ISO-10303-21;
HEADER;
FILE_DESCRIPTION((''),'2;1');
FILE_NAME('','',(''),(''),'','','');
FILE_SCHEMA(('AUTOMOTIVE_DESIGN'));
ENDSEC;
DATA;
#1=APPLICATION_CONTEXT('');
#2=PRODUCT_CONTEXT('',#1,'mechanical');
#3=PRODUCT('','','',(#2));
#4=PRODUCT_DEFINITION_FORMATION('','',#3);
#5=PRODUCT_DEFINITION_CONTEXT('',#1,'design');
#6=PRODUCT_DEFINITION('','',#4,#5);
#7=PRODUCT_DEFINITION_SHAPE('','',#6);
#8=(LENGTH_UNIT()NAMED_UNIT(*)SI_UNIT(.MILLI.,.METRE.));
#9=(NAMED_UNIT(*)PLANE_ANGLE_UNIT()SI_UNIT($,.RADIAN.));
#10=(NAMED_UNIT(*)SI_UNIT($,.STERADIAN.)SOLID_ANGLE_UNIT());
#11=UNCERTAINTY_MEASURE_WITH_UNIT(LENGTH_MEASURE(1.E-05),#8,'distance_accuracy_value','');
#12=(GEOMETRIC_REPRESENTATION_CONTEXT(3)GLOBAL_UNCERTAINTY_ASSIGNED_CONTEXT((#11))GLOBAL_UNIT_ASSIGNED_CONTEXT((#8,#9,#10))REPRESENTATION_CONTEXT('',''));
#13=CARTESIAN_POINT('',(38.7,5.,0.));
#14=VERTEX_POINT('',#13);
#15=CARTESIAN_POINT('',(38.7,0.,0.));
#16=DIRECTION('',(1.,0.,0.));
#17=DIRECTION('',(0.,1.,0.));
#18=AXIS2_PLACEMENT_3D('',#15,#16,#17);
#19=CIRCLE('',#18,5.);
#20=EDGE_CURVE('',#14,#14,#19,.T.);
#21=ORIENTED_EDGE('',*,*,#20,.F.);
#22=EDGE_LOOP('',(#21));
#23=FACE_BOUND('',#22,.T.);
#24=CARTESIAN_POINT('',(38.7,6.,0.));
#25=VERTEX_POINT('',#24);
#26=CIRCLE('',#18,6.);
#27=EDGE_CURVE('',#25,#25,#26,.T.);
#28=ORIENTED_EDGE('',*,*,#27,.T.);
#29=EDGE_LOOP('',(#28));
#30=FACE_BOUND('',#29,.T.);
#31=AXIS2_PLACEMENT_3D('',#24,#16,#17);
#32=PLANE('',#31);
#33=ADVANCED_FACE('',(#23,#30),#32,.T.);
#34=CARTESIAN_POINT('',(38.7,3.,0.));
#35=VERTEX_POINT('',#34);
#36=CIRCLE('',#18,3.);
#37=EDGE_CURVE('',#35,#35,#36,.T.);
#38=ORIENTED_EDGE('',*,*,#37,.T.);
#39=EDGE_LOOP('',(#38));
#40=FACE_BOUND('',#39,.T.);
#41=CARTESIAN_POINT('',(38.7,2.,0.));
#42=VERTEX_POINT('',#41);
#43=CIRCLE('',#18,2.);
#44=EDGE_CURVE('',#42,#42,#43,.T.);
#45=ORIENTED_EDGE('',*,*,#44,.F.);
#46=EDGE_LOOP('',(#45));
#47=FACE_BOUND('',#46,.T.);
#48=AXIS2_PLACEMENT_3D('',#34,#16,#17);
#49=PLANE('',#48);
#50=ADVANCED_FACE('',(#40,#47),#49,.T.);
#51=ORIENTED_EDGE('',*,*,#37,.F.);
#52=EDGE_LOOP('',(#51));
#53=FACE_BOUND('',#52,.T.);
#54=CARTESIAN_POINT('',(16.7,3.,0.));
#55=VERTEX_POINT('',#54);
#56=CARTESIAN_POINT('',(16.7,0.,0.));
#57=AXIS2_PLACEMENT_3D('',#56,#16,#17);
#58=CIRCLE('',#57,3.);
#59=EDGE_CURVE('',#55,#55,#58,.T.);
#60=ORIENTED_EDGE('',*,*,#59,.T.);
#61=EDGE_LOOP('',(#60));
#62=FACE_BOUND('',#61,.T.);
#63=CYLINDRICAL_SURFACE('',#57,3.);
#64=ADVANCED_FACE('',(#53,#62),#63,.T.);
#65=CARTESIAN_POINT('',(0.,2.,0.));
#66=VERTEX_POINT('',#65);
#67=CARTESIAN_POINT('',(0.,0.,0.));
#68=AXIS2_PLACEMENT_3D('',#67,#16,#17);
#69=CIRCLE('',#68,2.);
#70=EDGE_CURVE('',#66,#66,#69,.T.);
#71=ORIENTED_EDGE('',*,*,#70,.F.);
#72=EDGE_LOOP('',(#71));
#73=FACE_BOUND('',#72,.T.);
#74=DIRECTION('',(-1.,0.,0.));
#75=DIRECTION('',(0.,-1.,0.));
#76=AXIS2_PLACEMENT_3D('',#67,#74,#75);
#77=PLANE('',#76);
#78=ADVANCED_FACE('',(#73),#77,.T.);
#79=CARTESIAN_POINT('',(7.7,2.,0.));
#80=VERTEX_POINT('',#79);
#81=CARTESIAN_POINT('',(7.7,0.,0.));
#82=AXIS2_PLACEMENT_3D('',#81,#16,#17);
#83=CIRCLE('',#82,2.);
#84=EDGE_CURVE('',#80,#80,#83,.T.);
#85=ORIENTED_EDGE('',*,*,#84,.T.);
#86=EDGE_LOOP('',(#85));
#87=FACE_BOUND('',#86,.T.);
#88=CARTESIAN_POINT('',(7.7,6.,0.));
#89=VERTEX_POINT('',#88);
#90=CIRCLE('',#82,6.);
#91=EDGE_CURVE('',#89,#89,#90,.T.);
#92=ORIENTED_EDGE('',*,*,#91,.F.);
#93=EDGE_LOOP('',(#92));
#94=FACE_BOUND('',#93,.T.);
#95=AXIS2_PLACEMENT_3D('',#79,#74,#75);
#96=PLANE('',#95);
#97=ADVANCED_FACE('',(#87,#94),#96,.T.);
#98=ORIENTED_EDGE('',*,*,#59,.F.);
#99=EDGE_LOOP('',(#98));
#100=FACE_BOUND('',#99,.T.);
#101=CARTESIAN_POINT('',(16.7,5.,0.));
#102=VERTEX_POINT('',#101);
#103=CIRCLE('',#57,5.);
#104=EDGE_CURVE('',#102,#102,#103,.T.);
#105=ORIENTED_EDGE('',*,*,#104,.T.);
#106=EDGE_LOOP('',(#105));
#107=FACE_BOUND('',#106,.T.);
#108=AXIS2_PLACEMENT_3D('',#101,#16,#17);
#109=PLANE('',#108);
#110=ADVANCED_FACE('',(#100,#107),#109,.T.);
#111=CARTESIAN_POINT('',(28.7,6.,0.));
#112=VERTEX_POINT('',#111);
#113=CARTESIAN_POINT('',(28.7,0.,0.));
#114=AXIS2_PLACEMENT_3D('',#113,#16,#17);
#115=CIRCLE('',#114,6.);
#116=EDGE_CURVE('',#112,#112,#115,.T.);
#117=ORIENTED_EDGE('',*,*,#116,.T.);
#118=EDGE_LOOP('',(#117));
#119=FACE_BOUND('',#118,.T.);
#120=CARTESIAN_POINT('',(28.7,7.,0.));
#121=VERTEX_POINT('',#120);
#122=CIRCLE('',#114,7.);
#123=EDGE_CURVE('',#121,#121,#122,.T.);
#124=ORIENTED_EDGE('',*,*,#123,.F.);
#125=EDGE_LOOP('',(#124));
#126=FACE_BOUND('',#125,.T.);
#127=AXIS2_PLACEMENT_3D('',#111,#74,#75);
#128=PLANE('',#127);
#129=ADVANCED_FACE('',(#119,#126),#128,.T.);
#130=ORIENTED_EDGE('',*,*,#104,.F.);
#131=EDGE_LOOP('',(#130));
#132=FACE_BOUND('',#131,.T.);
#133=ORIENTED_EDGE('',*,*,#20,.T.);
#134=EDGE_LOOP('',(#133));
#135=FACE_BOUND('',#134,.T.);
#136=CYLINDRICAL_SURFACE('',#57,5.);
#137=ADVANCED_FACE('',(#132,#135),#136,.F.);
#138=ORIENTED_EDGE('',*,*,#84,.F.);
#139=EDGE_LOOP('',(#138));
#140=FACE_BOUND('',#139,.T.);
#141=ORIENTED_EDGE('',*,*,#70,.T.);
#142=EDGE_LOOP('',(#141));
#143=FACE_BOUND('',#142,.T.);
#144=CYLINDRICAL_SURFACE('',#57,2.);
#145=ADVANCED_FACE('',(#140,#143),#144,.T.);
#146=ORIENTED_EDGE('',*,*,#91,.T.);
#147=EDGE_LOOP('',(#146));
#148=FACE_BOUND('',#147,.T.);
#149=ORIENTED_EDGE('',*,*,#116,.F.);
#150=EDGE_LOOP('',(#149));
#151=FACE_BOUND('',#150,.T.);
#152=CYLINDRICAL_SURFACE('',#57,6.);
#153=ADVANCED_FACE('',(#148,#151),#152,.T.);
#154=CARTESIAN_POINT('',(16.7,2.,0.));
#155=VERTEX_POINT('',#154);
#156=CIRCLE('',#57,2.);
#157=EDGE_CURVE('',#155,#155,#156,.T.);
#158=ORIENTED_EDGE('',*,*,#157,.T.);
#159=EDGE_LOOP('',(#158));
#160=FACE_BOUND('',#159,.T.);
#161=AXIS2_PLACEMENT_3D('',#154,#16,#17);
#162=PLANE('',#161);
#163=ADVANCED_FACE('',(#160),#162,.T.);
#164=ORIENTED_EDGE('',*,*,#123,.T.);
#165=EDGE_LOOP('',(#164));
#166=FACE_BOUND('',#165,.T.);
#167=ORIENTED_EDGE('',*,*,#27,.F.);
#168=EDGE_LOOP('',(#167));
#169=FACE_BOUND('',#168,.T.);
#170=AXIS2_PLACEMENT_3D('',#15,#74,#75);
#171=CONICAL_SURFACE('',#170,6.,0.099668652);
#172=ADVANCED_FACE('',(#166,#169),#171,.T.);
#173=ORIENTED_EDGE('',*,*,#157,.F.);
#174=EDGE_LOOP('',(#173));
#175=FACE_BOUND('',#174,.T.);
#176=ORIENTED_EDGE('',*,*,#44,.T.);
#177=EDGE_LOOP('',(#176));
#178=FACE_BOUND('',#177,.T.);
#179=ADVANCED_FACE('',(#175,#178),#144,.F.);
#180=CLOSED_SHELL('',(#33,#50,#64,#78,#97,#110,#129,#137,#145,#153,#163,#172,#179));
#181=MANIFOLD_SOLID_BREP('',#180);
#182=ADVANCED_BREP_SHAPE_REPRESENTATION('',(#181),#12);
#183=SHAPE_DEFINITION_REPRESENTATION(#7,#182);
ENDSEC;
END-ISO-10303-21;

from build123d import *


with BuildPart() as part:
    # Szkic1 → Obrót1 (revolve)
    with BuildSketch(Plane.XY):
        Polygon((0, 0), (0, 2), (7.7, 2), (7.7, 6), (28.7, 6), (28.7, 7), (38.7, 6), (38.7, 5), (16.7, 5), (16.7, 3), (38.7, 3), (38.7, 2), (16.7, 2), (16.7, 0), align=None)
    revolve(axis=Axis((16.7, 0, 0), (-1, 0, 0)))


solid = part.part
